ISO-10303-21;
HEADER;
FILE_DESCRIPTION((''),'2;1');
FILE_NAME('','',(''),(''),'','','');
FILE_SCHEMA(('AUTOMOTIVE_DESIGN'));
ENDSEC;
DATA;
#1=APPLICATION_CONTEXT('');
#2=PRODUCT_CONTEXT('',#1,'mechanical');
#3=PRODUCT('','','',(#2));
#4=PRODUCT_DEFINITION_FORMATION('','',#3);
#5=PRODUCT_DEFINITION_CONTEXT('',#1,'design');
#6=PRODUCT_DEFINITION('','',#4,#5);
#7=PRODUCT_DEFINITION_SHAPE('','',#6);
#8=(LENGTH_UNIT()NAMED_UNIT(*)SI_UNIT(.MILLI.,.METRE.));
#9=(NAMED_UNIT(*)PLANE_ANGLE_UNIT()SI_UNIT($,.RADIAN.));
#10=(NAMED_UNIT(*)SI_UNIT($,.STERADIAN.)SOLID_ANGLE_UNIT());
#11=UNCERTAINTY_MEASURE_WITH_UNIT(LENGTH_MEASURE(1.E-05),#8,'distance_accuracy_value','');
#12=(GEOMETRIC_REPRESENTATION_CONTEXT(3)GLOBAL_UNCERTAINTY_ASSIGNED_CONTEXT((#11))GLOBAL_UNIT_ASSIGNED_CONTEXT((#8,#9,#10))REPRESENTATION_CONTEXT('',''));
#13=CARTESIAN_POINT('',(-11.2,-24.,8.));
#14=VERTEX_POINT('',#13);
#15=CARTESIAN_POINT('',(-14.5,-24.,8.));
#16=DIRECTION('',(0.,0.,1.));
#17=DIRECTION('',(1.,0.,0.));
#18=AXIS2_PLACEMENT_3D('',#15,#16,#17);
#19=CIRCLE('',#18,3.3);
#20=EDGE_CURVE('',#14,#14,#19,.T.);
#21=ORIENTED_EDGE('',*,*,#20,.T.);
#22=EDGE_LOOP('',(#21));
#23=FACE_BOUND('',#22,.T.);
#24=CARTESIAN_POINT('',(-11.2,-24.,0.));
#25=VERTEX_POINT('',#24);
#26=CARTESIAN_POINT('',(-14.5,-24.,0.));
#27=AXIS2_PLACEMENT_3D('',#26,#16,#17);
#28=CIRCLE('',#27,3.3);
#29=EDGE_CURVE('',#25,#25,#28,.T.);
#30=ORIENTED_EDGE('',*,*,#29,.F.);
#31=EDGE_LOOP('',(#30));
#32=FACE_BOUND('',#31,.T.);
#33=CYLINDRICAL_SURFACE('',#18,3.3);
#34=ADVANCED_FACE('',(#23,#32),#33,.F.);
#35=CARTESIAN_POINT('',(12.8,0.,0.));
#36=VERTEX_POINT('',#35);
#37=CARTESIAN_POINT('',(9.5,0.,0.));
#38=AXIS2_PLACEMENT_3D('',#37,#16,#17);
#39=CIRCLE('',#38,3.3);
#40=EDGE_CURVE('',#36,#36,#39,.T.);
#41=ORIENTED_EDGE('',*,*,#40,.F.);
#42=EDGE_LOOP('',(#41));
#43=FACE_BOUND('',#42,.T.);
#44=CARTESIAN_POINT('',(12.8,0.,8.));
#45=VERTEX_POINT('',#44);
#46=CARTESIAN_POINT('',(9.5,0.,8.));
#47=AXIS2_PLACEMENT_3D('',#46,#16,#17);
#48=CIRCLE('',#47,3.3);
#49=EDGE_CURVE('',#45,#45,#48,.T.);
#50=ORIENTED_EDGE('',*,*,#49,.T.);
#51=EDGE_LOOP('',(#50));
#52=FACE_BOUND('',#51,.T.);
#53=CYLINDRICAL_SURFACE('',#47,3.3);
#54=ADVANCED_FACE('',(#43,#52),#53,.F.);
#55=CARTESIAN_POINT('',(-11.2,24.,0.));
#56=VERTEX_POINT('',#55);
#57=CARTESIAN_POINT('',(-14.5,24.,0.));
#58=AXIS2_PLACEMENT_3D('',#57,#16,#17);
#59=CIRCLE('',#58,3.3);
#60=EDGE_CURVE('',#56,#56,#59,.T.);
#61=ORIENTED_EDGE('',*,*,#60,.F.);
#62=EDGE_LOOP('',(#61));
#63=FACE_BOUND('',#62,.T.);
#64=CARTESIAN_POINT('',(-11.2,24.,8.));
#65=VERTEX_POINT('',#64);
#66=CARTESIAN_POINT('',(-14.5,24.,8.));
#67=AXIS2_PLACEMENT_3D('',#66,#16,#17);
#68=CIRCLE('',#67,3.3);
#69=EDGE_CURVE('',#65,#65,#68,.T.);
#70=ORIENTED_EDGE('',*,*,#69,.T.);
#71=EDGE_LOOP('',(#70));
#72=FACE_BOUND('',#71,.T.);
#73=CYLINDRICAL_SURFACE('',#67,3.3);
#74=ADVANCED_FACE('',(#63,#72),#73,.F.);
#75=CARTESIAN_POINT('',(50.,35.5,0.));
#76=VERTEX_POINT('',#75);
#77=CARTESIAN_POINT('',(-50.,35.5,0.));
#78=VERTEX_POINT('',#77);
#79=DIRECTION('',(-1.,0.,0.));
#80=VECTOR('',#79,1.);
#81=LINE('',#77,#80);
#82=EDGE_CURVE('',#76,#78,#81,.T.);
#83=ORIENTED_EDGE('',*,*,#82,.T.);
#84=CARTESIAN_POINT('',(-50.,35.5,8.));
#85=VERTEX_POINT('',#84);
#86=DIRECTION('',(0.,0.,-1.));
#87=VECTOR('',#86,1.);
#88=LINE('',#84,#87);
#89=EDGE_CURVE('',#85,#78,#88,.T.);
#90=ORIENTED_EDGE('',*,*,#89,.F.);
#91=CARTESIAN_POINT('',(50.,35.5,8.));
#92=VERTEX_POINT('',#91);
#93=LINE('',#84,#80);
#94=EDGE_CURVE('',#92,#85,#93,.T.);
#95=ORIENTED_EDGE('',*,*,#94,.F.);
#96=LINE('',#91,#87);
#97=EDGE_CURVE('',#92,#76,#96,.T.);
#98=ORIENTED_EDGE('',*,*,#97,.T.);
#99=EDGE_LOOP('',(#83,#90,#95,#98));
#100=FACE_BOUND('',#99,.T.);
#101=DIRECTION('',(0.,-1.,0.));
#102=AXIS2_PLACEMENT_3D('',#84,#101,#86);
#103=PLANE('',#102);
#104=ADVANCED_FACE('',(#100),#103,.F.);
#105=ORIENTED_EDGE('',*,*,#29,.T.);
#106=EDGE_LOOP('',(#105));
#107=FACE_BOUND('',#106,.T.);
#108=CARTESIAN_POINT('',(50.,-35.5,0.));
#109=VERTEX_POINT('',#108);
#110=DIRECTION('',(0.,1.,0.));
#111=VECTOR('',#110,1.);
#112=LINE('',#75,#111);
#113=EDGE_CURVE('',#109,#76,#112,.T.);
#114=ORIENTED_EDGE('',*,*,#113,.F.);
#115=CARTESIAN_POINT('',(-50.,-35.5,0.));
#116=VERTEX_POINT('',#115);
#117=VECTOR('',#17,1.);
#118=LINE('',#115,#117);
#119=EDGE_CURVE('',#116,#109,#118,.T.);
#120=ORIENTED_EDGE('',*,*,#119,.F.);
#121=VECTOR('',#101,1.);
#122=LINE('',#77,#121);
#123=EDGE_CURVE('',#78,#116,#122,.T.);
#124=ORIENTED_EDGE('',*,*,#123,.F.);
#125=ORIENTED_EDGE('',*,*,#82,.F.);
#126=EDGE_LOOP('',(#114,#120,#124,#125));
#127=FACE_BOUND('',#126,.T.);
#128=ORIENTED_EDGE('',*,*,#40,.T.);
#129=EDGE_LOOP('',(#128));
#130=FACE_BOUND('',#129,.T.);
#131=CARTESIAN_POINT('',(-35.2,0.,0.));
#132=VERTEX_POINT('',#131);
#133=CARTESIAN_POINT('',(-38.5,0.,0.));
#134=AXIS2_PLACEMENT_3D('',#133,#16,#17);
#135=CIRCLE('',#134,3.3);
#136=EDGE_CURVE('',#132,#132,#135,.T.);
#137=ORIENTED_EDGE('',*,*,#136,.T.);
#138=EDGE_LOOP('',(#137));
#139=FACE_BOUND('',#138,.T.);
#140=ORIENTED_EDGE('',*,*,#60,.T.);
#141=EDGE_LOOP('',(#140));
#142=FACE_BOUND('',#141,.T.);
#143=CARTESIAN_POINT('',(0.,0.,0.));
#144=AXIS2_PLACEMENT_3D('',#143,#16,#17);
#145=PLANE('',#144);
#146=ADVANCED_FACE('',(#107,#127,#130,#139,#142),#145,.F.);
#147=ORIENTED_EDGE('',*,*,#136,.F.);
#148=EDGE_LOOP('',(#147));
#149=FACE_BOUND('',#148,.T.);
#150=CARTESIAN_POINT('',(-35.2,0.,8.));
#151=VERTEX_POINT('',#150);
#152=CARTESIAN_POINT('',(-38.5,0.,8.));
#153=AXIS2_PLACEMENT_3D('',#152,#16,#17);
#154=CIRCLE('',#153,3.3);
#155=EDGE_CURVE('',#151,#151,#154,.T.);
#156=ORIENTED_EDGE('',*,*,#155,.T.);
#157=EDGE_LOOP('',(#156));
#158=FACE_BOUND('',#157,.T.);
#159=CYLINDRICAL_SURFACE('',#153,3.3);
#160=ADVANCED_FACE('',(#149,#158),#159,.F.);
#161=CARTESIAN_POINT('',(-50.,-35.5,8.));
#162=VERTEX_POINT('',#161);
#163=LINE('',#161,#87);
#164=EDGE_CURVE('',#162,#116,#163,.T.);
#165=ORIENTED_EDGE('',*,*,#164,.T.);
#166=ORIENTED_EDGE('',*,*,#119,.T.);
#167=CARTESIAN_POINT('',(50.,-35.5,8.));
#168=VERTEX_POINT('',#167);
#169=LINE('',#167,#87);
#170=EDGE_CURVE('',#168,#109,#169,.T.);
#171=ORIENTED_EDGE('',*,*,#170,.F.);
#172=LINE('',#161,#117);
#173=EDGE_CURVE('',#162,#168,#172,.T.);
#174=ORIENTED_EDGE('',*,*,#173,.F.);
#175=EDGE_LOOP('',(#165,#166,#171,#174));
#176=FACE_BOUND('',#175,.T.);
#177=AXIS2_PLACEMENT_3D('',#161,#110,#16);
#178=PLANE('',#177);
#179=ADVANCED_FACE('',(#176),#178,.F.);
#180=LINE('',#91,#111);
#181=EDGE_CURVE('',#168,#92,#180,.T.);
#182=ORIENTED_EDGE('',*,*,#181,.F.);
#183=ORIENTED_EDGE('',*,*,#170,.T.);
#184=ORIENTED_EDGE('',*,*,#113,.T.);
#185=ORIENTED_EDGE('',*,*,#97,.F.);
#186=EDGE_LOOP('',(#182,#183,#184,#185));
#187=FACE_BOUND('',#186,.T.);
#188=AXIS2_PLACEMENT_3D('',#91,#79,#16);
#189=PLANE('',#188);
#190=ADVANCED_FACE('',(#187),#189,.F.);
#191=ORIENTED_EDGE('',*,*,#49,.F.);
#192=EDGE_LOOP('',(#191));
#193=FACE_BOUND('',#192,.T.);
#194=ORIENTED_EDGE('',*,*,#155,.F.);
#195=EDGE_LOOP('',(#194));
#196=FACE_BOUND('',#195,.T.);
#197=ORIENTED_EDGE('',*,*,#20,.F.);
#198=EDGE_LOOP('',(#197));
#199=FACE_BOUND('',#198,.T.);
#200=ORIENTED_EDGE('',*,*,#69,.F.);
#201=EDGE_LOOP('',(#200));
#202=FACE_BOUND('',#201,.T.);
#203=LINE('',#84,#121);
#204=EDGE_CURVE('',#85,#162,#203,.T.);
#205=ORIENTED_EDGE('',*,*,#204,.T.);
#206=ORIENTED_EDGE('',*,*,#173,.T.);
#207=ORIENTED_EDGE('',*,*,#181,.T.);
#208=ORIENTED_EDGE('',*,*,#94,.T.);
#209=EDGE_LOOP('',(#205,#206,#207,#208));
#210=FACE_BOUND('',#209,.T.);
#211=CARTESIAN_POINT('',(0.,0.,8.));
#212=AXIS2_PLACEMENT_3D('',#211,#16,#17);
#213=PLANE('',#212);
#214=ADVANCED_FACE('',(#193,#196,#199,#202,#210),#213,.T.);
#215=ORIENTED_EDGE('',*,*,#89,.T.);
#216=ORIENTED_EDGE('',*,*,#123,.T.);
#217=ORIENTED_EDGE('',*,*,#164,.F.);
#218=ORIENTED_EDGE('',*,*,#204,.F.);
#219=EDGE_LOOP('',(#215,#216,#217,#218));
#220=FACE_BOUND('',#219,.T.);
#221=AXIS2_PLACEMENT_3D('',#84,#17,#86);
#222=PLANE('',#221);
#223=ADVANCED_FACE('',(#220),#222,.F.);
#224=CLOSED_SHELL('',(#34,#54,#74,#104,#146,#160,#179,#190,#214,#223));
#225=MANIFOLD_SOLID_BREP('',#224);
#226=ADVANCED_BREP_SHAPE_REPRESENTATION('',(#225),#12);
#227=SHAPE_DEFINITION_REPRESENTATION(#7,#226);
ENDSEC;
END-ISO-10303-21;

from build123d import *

# Parameters (mm, degrees)
SKETCH_1_W            = 100
SKETCH_1_H            = 71
EXTRUDE_1_DEPTH       = 8
HOLE_WIZARD_G1_16_1_D = 6.6


with BuildPart() as part:
    # 스케치1 → 보스-돌출1 (new body)
    with BuildSketch(Plane.XY):
        Rectangle(SKETCH_1_W, SKETCH_1_H)
    extrude(amount=EXTRUDE_1_DEPTH)

    # G1/16 나사 구멍1 (through all)
    with Locations(Plane(origin=(-38.5, 0, 8), x_dir=(1, 0, 0), z_dir=(0, 0, 1))):
        with Locations((0, 0), (24, -24), (48, 0), (24, 24)):
            Hole(HOLE_WIZARD_G1_16_1_D / 2)


solid = part.part
